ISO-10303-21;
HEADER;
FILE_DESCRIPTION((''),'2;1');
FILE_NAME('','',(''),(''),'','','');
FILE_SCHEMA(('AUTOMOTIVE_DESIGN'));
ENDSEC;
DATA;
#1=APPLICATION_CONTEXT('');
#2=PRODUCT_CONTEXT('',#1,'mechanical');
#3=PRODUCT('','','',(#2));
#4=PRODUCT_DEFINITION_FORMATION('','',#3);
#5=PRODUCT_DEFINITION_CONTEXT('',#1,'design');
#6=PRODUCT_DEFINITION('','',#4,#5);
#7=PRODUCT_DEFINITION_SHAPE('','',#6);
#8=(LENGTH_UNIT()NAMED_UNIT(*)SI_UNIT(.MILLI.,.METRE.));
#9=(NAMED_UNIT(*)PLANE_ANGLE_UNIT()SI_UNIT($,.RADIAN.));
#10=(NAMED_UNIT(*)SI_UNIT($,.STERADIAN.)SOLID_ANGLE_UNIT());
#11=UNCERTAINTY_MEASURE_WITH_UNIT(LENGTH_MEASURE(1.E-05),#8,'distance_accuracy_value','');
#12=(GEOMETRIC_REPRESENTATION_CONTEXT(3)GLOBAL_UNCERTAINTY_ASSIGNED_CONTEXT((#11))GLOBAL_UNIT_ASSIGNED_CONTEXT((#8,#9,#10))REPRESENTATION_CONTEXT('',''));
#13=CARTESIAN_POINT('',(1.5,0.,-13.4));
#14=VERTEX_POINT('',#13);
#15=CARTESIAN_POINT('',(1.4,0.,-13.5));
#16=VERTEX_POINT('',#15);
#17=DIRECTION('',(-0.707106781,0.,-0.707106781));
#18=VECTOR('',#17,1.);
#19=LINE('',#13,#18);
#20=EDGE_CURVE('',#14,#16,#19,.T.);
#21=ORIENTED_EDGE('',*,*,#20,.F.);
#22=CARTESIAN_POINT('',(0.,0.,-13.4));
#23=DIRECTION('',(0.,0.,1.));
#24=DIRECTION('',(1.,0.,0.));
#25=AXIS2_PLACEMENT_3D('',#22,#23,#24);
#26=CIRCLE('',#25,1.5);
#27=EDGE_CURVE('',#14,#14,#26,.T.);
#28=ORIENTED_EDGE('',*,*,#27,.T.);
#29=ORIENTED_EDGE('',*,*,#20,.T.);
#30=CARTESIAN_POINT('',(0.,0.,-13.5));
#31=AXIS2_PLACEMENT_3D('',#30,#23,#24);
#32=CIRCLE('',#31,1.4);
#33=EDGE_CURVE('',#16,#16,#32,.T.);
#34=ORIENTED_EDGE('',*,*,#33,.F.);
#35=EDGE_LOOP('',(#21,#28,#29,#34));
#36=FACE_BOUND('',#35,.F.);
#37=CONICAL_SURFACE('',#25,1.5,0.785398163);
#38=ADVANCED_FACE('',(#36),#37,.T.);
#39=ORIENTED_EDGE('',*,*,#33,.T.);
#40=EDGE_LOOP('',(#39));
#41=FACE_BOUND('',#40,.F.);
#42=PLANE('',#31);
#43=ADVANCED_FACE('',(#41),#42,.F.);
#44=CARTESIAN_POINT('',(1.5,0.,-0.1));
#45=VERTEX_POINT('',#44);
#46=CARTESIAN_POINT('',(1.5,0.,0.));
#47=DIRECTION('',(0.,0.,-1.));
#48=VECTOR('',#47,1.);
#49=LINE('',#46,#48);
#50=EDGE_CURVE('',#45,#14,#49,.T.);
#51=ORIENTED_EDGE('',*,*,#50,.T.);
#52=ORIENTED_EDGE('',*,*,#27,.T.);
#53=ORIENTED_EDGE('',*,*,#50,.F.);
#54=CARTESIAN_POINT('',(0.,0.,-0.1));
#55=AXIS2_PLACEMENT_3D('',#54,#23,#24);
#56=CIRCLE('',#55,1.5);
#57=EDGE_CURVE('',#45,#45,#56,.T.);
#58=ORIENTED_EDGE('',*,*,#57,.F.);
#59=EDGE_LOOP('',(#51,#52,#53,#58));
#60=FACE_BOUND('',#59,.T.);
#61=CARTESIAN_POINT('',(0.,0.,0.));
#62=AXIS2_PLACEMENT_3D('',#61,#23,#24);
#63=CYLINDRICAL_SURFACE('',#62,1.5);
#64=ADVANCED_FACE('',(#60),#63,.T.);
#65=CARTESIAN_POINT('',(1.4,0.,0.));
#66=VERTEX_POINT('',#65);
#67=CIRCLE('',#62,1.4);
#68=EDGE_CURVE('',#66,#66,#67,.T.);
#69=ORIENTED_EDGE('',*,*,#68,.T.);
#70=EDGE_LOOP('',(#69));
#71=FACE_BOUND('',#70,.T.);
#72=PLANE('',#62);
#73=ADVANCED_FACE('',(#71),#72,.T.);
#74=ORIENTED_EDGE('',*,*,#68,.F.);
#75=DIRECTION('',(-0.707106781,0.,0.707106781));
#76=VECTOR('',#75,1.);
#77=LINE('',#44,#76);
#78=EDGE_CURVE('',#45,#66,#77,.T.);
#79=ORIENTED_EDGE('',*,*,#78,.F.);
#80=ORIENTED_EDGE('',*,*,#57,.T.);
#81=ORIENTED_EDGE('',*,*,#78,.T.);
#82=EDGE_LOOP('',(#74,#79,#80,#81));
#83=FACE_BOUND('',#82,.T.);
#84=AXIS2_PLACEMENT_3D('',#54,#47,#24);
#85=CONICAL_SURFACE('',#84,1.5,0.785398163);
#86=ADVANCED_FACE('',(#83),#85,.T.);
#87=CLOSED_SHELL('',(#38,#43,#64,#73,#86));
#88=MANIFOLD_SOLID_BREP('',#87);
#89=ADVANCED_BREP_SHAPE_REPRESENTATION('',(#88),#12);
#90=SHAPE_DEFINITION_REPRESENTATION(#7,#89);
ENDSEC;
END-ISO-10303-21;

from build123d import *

# Parameters (mm, degrees)
SKETCH_R     = 1.5
PAD_DEPTH    = 13.5
CHAMFER_SIZE = 0.1


with BuildPart() as part:
    # Sketch → Pad (new body)
    with BuildSketch(Plane.XY):
        Circle(SKETCH_R)
    extrude(amount=-PAD_DEPTH)

    # Chamfer
    chamfer_edges = [part.edges().sort_by_distance(p)[0] for p in [
        (-1.5, 0, 0),
        (-1.5, 0, -13.5),
    ]]
    chamfer(chamfer_edges, length=CHAMFER_SIZE)


solid = part.part
